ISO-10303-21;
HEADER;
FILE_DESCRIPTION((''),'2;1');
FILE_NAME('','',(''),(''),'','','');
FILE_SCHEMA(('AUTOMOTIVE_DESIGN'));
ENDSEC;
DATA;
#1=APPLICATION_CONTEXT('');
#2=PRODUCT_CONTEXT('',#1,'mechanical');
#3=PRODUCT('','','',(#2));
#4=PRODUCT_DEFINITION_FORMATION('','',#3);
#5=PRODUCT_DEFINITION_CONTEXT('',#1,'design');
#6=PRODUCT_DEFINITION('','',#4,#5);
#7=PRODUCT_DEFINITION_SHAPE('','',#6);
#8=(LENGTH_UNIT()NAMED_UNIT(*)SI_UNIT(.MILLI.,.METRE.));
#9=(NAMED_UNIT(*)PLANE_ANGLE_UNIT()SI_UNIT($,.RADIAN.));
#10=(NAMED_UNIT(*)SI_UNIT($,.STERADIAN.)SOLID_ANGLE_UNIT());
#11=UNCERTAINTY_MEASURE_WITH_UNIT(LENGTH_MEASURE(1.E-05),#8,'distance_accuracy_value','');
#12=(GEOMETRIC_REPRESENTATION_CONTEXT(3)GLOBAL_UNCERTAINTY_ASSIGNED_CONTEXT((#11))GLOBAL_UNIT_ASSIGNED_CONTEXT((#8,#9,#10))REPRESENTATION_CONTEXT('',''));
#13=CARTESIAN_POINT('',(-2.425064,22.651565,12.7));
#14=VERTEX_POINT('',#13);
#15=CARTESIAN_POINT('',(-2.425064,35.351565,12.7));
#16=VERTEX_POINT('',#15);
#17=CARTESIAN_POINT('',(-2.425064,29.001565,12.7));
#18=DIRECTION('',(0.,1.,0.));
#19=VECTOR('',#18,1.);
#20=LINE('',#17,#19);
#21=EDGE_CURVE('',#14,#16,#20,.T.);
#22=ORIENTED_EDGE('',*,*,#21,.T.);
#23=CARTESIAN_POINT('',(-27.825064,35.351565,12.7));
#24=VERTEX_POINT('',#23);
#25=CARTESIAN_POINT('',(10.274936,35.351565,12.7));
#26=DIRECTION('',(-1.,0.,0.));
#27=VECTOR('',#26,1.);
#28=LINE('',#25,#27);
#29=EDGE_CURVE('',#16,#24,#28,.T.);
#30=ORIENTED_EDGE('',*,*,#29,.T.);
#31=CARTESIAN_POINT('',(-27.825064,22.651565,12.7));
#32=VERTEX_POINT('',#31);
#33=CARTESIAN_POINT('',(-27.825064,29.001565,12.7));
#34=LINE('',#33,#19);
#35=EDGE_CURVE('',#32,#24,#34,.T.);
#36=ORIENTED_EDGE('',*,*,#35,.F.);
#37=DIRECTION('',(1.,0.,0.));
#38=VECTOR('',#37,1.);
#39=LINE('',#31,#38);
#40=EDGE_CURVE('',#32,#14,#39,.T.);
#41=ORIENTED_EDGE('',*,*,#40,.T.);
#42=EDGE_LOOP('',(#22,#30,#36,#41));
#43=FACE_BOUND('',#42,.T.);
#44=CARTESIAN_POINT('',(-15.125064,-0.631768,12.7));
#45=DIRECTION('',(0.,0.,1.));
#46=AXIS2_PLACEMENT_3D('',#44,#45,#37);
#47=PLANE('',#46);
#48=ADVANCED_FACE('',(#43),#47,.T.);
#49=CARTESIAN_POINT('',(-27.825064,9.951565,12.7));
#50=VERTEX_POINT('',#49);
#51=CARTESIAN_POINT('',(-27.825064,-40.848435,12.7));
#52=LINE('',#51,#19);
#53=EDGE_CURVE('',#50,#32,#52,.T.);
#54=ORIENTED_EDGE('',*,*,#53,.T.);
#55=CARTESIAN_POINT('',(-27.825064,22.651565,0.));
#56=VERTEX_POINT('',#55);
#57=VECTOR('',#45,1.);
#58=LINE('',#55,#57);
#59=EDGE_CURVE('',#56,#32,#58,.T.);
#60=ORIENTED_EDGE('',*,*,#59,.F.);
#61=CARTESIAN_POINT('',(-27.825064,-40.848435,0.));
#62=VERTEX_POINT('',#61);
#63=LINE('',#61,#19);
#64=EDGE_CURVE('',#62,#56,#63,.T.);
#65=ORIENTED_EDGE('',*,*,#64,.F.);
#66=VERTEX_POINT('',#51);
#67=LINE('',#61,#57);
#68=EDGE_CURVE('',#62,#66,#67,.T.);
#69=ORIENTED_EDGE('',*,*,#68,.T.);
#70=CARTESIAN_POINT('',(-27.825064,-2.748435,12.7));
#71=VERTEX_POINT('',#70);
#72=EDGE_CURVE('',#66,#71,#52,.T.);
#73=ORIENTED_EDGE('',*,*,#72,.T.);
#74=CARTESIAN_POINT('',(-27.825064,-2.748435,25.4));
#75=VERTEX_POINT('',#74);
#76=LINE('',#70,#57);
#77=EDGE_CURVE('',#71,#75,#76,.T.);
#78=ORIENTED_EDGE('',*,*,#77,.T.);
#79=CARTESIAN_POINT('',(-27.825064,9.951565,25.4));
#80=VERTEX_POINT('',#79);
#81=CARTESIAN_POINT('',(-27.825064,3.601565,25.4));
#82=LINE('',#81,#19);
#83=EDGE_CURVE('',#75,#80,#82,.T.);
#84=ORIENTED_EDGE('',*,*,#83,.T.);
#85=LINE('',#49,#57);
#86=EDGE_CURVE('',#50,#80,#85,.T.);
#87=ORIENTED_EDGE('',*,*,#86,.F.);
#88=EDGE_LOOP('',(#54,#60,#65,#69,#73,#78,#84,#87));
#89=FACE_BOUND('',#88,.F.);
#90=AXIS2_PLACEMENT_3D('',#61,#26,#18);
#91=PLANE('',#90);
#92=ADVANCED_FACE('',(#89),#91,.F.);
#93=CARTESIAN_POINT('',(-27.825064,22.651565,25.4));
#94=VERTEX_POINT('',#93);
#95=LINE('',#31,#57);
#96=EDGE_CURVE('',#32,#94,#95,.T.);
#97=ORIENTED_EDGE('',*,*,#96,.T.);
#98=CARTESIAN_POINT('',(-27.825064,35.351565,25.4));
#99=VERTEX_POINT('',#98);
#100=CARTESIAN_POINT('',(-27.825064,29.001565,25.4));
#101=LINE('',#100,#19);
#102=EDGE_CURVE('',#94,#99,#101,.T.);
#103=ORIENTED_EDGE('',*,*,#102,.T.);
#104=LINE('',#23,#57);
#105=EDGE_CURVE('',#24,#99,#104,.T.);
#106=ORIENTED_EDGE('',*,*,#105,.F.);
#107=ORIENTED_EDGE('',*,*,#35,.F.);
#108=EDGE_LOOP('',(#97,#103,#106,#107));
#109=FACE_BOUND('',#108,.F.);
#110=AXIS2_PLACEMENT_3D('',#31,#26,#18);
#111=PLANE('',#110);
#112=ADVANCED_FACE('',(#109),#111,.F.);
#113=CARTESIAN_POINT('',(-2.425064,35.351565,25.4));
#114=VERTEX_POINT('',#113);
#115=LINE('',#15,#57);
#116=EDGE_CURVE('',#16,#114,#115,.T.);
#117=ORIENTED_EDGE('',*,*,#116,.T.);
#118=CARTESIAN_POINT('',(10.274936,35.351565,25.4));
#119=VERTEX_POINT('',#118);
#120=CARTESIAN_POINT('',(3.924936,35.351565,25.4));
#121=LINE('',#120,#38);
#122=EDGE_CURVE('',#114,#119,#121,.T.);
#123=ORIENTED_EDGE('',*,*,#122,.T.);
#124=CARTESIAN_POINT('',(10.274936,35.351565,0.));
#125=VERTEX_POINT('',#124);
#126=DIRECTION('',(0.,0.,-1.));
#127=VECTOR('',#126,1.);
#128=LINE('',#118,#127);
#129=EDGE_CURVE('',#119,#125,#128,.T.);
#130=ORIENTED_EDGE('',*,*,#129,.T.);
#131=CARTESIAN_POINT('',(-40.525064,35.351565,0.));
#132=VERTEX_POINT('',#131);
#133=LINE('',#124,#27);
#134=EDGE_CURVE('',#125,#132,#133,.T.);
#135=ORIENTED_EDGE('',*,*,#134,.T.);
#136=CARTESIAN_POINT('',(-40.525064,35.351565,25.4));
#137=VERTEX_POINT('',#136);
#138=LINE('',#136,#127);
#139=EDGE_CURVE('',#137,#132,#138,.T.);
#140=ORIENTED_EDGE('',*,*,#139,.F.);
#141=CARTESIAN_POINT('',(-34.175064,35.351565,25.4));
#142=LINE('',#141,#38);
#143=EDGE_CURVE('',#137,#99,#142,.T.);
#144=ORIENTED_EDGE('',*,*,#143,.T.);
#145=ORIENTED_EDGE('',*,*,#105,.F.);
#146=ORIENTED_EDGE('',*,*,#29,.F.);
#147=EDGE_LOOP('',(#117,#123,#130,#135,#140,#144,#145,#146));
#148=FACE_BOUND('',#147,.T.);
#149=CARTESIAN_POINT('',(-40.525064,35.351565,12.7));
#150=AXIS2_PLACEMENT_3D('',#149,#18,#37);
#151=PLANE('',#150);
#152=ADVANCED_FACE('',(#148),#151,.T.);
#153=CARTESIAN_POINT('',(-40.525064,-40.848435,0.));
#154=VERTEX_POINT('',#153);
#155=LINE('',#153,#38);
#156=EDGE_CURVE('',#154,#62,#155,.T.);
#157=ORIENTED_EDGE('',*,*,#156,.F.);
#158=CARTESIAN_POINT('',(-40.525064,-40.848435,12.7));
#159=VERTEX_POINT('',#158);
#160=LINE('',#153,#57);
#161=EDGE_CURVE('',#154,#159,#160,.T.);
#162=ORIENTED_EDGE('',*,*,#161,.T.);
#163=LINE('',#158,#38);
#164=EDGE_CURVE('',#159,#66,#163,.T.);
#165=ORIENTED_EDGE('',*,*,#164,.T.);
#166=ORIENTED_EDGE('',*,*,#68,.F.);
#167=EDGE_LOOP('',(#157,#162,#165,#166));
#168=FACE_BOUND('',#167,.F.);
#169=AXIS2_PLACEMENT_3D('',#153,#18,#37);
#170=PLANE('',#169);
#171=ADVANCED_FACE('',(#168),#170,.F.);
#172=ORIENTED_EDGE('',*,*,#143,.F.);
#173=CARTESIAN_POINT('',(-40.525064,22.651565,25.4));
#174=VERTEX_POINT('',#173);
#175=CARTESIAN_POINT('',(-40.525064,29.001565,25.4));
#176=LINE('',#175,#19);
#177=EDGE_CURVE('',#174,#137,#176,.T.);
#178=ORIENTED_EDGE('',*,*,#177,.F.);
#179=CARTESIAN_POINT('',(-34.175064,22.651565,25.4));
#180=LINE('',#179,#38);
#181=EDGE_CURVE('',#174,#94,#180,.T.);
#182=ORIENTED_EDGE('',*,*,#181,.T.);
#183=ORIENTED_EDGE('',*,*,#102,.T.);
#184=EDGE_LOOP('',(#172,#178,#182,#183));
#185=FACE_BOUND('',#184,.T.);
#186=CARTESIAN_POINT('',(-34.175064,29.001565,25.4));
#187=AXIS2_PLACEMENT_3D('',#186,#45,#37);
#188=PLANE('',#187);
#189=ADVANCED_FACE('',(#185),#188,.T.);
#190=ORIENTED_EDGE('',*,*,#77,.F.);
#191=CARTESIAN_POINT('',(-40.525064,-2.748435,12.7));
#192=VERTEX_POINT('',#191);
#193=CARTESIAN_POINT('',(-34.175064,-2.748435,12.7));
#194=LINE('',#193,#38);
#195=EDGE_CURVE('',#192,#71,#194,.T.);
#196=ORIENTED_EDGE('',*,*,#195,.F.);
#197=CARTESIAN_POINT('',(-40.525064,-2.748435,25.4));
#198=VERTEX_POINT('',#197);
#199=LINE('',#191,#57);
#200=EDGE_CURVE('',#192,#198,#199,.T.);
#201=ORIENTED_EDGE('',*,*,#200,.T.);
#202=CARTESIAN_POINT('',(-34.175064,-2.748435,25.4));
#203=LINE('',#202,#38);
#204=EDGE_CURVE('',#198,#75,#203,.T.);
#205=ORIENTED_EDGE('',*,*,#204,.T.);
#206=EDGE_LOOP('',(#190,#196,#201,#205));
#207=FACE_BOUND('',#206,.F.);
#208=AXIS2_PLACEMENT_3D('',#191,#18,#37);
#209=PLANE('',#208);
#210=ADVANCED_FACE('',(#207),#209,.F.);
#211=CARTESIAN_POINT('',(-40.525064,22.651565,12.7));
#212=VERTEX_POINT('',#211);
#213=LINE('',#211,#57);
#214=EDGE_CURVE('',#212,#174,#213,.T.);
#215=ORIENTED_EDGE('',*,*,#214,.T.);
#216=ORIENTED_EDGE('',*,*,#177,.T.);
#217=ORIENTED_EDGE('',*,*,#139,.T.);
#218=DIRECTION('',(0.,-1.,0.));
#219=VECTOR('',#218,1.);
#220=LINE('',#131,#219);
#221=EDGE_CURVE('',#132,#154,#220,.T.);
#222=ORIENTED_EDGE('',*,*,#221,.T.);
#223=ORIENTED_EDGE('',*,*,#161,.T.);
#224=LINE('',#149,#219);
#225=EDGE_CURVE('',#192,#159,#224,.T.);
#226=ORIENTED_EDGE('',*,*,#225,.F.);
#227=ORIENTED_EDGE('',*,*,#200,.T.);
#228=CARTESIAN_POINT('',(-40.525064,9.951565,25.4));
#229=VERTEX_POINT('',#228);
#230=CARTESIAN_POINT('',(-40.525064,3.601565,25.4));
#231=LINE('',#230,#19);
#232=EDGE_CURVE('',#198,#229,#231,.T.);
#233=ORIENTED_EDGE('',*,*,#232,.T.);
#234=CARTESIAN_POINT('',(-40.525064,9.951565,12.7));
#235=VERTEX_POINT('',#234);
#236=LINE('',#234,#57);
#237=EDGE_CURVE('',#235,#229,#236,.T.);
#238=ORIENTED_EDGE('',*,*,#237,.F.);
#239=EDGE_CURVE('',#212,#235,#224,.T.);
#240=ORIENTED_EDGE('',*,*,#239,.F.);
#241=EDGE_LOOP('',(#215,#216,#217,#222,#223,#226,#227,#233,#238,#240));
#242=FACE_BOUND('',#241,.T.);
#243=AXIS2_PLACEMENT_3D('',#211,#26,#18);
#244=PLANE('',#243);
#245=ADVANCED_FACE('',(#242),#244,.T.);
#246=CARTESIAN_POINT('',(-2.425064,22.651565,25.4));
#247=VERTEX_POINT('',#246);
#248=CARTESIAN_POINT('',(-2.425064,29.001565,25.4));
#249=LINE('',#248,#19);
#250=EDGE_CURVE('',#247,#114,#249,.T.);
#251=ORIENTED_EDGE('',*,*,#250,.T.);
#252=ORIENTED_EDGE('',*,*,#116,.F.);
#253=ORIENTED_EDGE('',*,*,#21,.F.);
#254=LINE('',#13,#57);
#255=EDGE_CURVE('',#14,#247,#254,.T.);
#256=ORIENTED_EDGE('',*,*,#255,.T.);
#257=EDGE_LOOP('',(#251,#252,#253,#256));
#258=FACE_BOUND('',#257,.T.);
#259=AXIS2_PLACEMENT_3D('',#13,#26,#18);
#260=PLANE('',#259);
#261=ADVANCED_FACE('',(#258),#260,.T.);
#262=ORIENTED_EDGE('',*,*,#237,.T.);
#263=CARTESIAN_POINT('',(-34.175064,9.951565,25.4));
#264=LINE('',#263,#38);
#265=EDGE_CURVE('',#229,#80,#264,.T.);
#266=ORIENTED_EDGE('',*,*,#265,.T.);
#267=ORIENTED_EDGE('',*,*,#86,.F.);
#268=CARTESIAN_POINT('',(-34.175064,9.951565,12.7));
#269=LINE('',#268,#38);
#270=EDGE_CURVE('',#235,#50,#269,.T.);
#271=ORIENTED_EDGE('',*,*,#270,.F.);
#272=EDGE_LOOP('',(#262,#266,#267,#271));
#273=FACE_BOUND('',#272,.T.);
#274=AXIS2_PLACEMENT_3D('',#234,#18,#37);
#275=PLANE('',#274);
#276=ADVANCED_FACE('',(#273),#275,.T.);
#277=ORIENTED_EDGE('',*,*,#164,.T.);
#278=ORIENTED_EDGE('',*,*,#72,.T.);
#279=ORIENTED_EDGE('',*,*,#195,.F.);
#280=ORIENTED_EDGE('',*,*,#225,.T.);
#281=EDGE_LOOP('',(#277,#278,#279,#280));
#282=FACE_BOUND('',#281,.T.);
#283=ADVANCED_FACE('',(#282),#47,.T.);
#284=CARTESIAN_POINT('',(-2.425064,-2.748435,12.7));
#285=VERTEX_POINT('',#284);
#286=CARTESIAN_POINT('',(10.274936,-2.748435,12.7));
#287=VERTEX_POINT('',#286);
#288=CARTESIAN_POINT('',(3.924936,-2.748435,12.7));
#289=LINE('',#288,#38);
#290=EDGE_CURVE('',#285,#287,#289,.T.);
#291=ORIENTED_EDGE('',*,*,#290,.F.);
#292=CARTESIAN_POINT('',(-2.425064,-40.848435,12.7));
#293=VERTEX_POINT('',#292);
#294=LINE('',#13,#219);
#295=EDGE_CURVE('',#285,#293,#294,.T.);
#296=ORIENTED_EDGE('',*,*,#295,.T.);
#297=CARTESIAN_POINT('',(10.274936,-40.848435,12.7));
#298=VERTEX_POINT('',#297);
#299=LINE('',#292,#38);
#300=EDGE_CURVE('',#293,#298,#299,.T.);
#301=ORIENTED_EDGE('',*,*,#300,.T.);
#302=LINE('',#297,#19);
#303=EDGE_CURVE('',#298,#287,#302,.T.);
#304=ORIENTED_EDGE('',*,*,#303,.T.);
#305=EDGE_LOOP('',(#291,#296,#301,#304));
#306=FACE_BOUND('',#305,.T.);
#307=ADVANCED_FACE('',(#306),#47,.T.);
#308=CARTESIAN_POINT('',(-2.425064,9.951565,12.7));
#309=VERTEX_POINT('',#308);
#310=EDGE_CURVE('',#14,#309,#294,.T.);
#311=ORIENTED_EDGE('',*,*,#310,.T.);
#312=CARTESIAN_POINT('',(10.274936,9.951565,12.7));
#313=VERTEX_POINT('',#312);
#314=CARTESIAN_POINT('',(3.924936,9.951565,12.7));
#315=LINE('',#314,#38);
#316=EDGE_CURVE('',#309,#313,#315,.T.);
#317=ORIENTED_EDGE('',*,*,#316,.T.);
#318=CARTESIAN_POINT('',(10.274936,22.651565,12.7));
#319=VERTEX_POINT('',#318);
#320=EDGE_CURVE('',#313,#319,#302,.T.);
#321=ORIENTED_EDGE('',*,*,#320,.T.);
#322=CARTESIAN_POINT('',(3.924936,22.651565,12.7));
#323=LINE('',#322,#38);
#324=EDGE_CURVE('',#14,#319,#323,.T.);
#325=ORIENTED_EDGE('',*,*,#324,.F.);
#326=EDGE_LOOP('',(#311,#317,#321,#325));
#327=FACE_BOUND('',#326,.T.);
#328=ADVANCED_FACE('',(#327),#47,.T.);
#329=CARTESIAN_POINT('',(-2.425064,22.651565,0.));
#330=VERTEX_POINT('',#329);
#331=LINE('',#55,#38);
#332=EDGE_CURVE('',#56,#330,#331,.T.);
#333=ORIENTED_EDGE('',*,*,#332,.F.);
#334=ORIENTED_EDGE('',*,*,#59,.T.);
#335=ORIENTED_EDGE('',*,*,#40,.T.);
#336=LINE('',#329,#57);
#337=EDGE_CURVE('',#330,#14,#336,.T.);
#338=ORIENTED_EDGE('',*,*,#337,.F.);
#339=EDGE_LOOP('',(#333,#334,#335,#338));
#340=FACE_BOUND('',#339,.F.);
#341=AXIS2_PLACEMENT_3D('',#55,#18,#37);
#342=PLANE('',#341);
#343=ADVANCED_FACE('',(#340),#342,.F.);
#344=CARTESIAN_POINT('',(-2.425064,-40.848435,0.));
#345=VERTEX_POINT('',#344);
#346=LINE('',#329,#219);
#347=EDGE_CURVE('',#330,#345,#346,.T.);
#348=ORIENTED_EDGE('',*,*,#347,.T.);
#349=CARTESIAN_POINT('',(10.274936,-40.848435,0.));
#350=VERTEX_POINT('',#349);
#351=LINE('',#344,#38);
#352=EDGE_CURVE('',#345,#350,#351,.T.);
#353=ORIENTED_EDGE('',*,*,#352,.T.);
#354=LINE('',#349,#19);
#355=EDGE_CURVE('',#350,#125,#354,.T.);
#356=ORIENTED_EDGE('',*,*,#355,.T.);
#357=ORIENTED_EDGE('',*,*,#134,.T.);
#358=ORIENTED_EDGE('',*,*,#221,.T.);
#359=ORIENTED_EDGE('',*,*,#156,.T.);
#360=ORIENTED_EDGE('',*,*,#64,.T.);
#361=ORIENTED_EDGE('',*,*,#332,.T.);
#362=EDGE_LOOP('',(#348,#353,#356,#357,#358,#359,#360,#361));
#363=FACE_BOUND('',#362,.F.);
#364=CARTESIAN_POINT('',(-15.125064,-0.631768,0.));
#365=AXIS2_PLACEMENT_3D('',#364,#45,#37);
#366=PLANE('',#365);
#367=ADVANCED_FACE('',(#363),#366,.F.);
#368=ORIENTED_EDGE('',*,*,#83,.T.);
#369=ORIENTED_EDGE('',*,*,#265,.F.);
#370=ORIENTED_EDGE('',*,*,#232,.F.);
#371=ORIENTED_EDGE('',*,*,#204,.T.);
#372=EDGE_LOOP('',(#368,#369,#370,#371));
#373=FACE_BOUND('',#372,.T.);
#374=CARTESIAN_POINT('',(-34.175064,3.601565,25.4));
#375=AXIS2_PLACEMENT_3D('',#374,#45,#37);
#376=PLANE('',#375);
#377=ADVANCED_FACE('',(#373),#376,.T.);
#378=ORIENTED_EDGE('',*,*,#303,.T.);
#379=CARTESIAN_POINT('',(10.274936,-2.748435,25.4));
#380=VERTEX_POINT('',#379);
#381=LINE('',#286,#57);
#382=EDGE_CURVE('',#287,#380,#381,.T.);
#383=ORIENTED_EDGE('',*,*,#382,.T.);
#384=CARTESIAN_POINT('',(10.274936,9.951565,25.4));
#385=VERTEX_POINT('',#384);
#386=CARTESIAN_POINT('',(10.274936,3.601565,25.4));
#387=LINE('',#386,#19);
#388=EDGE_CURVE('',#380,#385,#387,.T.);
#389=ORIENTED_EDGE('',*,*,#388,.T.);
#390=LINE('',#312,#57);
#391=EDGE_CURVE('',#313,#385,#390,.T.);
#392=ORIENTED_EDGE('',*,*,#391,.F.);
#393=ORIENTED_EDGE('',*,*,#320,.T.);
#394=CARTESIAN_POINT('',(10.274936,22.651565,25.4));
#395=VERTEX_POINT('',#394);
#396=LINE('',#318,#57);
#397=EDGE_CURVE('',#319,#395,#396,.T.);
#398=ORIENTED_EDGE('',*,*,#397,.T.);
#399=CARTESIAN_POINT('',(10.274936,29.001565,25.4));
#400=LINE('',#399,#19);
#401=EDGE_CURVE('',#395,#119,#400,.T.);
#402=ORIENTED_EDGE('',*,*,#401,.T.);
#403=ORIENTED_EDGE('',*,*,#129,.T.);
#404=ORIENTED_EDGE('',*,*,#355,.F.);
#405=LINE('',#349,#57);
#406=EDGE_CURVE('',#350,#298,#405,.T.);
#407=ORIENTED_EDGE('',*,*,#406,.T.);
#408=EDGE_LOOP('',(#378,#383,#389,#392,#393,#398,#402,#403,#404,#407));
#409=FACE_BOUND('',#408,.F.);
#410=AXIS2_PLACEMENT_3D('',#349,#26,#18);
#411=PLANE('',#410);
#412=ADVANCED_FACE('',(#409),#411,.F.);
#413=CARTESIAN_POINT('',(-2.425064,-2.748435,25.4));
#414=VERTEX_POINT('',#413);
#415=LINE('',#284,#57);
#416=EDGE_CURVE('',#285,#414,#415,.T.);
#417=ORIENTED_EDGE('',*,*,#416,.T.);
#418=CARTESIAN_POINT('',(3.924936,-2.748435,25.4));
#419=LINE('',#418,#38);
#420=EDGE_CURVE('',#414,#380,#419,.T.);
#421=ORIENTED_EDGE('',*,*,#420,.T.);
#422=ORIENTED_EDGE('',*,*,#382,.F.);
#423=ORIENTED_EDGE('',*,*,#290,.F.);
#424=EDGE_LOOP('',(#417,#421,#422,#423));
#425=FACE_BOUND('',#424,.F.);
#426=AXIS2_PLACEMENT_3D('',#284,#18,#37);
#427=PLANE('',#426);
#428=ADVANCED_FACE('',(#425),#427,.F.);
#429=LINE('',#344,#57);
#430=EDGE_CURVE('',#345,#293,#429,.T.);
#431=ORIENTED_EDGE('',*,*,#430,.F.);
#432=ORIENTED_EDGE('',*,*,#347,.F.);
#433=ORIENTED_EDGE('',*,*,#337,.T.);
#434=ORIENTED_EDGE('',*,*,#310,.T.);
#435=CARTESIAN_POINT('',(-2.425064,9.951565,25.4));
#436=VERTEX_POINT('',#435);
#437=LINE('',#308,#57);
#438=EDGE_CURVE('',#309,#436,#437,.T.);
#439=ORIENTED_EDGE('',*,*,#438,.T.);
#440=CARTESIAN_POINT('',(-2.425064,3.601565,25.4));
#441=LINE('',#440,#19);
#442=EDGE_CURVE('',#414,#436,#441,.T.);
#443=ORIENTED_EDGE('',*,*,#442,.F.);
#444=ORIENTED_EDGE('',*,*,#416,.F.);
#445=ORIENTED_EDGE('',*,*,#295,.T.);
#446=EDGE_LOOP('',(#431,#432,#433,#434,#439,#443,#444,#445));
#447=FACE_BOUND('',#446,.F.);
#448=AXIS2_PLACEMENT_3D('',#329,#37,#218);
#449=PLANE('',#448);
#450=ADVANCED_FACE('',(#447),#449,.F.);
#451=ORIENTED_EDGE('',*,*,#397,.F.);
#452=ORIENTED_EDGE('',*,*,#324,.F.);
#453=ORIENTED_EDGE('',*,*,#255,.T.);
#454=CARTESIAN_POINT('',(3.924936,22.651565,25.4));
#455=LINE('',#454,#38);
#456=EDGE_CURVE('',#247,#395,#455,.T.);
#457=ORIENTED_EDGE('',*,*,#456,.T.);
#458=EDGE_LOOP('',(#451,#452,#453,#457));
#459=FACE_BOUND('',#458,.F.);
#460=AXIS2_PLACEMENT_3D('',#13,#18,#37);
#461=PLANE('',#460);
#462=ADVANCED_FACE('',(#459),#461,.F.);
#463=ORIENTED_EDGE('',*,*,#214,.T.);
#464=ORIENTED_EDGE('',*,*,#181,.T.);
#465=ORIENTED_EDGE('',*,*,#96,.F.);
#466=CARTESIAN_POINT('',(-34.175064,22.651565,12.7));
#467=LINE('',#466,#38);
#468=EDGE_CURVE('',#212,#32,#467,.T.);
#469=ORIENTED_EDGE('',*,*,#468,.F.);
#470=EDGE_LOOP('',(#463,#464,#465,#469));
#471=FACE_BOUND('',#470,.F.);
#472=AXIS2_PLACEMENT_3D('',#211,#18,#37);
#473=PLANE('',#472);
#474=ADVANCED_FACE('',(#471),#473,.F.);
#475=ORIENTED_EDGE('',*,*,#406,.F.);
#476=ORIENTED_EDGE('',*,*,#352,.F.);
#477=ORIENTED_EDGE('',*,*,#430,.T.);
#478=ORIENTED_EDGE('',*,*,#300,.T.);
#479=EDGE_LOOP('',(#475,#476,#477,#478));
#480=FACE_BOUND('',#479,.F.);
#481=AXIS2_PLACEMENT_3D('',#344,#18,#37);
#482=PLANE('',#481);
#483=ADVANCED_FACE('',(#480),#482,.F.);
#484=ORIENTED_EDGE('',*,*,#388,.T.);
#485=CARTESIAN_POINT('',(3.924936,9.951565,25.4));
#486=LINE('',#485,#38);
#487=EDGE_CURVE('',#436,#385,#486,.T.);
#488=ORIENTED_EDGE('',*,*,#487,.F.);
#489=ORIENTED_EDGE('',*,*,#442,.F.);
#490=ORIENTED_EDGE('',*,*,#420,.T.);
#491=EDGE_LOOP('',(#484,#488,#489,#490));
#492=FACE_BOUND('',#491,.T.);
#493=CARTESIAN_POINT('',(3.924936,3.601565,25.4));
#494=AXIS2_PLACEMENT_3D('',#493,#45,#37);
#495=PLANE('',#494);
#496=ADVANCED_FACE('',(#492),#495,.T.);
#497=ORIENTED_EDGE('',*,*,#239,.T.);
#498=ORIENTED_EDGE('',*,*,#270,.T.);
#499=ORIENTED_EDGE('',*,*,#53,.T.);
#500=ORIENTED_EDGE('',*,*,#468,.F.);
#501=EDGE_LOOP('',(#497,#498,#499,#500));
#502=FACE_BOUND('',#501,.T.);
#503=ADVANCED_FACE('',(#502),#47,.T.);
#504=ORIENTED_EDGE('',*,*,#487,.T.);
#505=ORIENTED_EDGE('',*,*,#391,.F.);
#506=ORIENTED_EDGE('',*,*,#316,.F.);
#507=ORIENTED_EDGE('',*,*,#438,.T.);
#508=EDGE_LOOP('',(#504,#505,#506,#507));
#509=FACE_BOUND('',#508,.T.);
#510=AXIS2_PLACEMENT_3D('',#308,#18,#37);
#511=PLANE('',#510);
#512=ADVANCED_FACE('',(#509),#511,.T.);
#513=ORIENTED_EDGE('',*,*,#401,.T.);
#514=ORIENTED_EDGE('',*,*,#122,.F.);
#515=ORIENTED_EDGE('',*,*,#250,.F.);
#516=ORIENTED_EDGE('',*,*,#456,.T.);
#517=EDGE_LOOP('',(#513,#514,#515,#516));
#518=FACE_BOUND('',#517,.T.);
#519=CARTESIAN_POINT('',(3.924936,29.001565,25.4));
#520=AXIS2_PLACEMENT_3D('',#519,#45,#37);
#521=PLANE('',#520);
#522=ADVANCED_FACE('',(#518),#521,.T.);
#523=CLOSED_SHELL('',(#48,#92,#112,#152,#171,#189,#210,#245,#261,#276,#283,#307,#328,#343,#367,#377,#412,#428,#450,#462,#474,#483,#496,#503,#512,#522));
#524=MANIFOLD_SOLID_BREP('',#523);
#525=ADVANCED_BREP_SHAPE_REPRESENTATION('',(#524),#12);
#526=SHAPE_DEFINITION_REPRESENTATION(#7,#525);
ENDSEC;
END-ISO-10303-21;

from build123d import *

# Parameters (mm, degrees)
F1_DEPTH = 12.7
F2_W     = 12.7
F2_H     = 12.7
F3_DEPTH = 12.7


with BuildPart() as f1:
    # F0 (on Top) → F1 (new body)
    with BuildSketch(Plane.XY):
        Polygon((-40.525064, 35.351565), (-40.525064, -40.848435), (-27.825064, -40.848435), (-27.825064, 22.651565), (-2.425064, 22.651565), (-2.425064, -40.848435), (10.274936, -40.848435), (10.274936, 35.351565), align=None)
    extrude(amount=F1_DEPTH)

    # F2 (on face) → F3 (join)
    with BuildSketch(Plane.XY.offset(12.7)):
        with Locations((-34.175064, 3.601565)):
            Rectangle(F2_W, F2_H)
        with Locations((-34.175064, 29.001565)):
            Rectangle(F2_W, F2_H)
        with Locations((3.924936, 29.001565)):
            Rectangle(F2_W, F2_H)
        with Locations((3.924936, 3.601565)):
            Rectangle(F2_W, F2_H)
    extrude(amount=F3_DEPTH)


solid = f1.part
